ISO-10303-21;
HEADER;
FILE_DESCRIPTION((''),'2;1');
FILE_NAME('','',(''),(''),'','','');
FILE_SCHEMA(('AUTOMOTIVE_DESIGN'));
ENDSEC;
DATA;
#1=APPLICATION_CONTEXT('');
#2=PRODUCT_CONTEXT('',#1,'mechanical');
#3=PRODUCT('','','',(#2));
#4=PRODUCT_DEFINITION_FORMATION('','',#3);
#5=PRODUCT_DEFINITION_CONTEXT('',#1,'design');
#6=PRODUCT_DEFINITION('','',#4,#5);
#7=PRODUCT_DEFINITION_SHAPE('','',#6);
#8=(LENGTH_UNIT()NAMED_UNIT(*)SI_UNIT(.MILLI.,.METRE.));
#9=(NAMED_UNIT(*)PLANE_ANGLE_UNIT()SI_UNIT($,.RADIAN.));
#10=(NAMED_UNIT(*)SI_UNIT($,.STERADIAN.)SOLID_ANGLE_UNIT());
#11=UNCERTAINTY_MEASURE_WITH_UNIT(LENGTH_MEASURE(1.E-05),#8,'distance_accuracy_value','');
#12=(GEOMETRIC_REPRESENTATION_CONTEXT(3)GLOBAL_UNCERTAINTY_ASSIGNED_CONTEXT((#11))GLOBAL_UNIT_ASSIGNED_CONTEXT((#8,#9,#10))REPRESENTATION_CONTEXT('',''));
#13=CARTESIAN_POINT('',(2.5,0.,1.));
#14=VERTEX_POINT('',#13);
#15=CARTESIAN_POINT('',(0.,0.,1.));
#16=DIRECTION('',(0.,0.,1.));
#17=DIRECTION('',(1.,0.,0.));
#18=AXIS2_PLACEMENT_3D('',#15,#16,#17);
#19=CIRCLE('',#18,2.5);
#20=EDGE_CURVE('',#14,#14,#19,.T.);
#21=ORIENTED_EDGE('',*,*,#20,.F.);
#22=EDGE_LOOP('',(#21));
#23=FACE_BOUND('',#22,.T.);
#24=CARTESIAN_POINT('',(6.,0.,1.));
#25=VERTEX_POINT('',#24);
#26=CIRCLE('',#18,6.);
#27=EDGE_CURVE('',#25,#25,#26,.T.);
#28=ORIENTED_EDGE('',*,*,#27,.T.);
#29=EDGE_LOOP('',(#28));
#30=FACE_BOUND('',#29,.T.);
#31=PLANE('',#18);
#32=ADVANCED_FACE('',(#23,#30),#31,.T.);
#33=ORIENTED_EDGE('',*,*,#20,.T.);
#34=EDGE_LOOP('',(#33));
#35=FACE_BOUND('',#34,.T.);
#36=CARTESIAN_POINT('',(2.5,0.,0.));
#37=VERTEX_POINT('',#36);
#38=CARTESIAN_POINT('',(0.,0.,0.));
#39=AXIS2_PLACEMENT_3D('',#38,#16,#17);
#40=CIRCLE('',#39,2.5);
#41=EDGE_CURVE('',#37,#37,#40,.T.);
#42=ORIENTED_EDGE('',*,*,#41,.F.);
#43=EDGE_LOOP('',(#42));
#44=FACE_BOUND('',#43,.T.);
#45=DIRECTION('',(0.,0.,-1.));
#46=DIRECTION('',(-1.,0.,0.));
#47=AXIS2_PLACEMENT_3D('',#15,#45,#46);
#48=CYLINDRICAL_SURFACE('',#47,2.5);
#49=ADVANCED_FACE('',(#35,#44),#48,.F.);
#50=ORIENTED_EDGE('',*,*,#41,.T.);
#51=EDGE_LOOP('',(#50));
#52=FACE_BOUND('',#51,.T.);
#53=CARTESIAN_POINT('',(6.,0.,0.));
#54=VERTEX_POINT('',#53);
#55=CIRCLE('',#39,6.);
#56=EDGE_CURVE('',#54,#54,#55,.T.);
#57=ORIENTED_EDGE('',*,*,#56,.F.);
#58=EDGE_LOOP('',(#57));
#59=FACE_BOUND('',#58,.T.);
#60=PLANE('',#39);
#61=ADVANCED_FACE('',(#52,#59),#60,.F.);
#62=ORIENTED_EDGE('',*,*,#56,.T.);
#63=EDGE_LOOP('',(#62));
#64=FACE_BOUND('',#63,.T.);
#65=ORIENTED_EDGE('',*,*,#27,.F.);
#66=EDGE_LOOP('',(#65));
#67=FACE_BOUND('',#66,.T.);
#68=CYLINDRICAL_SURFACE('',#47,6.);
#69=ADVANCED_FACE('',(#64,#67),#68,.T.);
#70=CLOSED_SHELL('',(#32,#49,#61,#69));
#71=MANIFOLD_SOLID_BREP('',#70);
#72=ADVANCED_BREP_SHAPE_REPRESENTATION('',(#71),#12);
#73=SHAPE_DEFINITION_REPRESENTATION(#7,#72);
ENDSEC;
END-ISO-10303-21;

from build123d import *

# Parameters (mm, degrees)
ESQUISSE1_R      = 6
ESQUISSE1_R_2    = 2.5
EXTRUSION1_DEPTH = 1


with BuildPart() as part:
    # Esquisse1 → Extrusion1 (new body)
    with BuildSketch(Plane.XY):
        Circle(ESQUISSE1_R)
        Circle(ESQUISSE1_R_2, mode=Mode.SUBTRACT)
    extrude(amount=EXTRUSION1_DEPTH)


solid = part.part
